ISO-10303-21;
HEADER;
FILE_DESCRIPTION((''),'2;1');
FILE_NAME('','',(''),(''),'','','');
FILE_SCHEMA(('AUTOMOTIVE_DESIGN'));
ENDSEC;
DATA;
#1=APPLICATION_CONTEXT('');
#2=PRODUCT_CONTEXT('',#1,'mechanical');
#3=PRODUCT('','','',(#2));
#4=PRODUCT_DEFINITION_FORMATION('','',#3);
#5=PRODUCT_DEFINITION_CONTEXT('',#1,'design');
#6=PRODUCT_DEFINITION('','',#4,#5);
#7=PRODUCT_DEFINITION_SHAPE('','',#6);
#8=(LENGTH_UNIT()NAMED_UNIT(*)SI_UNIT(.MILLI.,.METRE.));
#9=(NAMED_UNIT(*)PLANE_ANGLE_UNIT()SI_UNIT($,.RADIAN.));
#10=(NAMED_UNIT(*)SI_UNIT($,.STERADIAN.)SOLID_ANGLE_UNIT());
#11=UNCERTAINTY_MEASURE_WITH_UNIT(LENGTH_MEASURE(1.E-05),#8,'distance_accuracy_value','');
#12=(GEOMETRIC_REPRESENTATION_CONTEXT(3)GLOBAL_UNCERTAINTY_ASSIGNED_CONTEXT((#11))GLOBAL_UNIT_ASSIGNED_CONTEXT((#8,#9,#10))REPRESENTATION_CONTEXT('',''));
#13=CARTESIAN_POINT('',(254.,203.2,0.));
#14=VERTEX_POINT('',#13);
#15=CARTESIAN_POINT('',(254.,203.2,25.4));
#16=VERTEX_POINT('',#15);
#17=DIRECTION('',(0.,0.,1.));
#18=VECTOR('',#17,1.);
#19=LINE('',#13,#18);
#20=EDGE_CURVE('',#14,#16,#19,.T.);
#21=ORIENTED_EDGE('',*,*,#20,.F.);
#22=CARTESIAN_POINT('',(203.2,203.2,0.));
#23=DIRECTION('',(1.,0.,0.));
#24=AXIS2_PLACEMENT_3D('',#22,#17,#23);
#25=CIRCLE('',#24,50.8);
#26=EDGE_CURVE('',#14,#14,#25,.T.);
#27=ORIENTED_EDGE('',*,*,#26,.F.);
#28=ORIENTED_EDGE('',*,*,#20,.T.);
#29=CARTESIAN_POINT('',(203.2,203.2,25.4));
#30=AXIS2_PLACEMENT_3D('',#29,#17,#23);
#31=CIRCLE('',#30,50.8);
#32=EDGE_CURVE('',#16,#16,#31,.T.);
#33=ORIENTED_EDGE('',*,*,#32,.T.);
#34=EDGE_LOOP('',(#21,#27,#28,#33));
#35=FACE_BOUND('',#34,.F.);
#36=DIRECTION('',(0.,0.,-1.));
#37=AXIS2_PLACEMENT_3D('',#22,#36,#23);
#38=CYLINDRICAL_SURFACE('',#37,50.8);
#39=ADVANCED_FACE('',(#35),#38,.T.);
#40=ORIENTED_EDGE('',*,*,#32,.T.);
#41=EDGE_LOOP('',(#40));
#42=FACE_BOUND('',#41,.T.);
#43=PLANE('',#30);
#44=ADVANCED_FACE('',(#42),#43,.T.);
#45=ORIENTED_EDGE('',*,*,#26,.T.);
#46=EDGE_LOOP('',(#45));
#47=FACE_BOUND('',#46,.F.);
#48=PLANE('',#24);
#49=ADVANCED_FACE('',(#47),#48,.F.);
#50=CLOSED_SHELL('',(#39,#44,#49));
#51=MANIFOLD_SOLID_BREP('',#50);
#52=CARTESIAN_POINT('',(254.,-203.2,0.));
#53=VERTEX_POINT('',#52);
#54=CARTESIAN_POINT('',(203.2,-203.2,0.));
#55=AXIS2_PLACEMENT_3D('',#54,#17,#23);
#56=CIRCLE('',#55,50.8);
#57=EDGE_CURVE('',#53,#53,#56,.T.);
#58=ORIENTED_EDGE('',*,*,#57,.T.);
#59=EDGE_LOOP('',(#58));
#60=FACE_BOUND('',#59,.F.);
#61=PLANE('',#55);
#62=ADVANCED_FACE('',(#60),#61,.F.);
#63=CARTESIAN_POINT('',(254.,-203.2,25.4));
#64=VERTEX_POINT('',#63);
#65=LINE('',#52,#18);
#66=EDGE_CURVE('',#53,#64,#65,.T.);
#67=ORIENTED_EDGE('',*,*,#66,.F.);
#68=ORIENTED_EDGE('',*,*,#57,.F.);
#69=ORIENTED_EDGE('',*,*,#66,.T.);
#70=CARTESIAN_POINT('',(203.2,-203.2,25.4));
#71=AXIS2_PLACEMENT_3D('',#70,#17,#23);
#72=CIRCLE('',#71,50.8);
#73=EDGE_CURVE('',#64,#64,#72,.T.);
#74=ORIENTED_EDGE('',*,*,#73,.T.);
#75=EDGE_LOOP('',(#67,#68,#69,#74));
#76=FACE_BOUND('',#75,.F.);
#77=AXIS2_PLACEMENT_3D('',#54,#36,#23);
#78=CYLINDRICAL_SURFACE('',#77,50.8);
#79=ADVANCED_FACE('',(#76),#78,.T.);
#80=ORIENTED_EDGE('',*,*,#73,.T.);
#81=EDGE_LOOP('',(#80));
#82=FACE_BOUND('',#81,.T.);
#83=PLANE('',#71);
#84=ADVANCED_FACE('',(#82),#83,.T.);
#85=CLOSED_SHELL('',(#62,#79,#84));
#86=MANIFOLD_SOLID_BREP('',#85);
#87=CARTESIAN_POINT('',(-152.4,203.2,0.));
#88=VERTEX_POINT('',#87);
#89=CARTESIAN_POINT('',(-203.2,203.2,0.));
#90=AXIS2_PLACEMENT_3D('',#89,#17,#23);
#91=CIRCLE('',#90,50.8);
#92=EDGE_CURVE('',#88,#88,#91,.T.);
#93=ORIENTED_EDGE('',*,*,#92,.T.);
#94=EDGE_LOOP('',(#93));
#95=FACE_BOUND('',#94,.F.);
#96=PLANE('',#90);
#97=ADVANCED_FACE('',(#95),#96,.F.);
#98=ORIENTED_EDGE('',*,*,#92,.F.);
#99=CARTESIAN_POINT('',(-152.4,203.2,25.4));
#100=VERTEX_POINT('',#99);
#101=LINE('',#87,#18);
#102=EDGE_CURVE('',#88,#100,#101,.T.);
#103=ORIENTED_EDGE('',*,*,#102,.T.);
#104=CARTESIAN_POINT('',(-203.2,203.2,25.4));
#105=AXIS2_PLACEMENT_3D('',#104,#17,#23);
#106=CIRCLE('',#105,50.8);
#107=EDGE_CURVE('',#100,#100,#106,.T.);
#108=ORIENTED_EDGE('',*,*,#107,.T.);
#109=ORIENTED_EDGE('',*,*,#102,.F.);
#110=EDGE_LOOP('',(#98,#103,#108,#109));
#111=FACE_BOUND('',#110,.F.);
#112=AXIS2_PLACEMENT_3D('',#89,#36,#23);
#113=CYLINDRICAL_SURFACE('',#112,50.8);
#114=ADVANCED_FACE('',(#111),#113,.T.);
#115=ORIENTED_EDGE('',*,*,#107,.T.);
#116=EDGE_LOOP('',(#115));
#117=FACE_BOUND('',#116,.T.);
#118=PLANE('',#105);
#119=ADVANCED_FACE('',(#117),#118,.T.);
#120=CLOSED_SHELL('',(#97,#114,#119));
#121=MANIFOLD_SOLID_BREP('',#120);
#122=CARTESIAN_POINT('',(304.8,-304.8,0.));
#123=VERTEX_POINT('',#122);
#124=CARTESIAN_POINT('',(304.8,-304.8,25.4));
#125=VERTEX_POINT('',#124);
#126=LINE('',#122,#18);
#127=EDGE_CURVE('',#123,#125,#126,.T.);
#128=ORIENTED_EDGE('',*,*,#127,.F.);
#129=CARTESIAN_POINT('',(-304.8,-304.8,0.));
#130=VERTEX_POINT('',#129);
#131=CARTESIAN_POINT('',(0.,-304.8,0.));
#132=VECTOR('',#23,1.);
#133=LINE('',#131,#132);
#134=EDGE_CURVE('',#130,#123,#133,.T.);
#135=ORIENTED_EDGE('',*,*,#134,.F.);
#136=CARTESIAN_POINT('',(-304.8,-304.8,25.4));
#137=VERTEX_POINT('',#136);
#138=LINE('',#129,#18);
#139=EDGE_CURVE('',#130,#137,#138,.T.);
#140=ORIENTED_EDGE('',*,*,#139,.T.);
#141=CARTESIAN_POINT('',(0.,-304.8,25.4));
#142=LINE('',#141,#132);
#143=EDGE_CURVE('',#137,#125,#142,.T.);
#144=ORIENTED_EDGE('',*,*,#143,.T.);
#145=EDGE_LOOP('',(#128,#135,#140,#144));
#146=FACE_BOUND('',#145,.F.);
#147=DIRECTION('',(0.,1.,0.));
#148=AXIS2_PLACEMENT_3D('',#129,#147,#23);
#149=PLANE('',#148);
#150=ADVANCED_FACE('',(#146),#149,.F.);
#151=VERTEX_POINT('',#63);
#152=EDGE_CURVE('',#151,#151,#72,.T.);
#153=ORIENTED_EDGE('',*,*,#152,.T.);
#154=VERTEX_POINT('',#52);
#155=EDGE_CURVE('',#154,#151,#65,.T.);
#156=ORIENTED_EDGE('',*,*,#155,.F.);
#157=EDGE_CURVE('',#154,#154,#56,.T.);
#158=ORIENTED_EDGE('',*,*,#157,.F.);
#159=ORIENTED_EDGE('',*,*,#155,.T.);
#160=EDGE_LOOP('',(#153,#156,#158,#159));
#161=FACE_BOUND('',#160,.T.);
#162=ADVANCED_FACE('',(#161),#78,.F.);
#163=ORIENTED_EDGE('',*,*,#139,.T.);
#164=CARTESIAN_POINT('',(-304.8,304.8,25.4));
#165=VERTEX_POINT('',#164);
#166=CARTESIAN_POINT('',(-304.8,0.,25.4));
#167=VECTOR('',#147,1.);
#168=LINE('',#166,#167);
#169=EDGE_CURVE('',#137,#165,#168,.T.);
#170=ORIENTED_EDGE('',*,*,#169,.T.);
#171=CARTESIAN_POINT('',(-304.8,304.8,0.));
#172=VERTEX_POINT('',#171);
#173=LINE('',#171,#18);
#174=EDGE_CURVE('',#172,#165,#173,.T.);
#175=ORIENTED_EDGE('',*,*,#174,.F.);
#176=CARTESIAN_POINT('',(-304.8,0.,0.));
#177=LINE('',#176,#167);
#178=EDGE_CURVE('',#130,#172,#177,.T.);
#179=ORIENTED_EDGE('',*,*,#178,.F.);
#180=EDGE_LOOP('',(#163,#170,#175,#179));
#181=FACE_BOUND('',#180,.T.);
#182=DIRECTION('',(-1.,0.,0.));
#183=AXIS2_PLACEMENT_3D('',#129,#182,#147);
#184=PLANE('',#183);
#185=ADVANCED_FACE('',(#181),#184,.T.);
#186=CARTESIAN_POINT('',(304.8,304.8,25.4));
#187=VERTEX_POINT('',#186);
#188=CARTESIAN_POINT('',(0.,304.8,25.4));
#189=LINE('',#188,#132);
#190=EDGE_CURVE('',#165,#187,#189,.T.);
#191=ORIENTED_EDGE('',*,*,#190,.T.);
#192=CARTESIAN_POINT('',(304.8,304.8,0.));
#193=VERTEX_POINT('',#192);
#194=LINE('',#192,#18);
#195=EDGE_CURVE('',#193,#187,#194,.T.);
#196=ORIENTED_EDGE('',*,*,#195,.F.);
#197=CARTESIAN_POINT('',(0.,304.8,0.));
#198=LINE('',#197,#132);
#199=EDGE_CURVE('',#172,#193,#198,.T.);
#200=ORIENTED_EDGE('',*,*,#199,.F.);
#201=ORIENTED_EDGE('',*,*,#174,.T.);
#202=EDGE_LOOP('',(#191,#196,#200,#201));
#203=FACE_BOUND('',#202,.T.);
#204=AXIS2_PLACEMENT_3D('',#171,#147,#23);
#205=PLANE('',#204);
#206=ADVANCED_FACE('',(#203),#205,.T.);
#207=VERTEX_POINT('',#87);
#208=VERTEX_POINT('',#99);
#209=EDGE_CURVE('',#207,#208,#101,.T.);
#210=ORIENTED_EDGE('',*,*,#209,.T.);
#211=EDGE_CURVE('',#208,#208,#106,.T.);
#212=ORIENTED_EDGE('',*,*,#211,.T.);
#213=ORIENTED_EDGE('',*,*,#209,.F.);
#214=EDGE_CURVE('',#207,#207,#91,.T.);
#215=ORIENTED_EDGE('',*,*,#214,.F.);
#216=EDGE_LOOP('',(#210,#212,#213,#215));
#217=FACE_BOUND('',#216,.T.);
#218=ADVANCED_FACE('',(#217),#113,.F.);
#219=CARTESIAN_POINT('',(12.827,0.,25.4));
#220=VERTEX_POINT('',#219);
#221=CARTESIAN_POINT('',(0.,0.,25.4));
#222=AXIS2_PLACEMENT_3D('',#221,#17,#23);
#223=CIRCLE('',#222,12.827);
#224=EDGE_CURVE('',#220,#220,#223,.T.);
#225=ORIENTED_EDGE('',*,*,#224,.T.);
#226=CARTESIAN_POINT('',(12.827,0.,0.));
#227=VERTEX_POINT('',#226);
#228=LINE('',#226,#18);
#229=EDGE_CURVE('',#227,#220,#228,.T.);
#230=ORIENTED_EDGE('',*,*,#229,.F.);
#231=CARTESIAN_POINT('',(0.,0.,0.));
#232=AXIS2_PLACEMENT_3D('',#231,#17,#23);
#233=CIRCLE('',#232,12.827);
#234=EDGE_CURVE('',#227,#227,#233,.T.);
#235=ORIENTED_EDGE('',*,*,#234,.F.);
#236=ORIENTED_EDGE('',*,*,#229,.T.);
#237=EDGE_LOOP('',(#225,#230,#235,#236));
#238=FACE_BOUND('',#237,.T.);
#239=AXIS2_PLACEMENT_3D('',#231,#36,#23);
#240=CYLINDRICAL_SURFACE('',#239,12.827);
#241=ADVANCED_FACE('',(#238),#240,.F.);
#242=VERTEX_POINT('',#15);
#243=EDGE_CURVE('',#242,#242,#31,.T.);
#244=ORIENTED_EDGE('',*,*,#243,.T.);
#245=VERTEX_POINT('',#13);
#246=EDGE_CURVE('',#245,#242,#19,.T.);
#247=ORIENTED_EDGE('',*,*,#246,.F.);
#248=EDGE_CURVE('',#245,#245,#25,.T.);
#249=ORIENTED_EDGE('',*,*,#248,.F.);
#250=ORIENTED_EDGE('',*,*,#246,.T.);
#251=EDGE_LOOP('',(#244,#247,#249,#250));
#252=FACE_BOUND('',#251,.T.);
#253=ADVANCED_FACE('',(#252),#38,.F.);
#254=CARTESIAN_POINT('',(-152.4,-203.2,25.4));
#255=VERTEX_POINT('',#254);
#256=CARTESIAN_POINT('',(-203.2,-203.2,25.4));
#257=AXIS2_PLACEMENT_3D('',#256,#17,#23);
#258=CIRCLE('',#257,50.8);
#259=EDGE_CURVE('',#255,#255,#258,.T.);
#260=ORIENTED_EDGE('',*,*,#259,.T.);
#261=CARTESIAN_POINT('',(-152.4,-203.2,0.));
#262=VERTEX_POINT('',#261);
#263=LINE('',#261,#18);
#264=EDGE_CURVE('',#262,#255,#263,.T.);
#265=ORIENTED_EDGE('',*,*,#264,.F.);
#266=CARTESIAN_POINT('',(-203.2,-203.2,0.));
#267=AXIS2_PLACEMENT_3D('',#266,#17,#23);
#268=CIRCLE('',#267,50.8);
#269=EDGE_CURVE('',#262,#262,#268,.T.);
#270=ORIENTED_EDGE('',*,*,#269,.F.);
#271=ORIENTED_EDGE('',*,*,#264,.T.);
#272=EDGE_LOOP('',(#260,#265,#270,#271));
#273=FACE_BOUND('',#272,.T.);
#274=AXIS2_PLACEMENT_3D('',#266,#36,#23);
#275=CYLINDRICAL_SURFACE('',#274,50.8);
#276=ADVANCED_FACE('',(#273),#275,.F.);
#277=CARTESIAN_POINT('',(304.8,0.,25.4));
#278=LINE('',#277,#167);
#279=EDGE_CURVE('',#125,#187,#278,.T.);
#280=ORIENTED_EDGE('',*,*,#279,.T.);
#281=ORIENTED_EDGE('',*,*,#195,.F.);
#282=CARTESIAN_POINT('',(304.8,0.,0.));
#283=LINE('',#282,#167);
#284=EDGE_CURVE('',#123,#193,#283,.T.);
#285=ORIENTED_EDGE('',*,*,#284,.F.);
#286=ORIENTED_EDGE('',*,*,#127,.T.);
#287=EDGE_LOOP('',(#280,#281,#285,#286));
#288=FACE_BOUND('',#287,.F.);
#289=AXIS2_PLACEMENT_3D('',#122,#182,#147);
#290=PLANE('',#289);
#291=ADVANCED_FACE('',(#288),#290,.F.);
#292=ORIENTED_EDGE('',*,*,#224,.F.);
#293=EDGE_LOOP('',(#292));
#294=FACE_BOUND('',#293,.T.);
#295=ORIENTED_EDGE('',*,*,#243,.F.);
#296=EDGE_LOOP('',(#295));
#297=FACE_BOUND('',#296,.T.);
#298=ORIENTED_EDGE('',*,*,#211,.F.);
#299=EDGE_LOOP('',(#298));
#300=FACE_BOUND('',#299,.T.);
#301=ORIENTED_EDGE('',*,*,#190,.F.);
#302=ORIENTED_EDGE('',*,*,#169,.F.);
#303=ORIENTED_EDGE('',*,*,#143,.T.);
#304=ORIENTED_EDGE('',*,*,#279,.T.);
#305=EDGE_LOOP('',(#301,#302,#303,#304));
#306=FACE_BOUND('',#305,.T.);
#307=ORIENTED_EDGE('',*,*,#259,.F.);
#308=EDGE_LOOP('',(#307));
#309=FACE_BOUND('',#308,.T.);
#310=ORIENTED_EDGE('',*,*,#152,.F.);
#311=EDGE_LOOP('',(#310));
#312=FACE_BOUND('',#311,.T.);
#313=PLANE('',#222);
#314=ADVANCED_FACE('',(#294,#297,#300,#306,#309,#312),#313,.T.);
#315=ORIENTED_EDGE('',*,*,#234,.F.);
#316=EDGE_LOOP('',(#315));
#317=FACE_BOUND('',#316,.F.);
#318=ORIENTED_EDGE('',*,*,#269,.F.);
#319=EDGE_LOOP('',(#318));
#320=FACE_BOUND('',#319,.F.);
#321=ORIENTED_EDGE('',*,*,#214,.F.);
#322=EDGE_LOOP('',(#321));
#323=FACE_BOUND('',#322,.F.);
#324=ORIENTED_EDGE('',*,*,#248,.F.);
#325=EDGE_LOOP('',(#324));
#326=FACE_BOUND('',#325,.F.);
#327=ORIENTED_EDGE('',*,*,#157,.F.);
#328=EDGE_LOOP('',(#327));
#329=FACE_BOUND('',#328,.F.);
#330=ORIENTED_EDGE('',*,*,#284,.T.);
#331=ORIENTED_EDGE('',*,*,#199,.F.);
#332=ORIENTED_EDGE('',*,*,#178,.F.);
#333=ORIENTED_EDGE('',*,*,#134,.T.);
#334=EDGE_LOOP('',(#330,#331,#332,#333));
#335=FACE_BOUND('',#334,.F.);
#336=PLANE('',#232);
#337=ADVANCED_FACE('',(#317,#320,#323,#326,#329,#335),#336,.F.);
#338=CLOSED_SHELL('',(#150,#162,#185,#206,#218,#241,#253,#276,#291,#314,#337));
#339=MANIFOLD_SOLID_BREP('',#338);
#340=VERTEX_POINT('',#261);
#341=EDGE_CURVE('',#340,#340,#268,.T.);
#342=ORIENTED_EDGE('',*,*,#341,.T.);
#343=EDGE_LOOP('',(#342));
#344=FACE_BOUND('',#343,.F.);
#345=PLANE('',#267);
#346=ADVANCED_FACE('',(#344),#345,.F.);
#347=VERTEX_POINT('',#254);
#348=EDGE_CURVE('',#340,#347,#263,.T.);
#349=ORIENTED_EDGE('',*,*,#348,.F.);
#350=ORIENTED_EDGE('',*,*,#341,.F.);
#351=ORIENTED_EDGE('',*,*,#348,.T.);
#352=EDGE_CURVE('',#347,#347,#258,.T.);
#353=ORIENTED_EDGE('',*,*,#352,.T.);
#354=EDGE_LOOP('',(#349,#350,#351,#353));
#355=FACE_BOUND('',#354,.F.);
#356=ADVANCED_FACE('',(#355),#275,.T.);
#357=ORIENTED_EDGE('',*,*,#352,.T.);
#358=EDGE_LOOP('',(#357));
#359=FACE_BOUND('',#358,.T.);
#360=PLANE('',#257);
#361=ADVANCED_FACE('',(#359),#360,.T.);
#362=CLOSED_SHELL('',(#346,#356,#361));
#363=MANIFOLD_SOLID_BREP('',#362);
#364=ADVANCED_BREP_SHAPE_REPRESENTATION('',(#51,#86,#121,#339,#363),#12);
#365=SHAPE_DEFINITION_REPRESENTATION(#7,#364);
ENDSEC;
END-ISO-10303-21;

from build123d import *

# Parameters (mm, degrees)
F0_W     = 609.6
F0_H     = 609.6
F0_R     = 50.8
F0_R_2   = 12.827
F1_DEPTH = 25.4
F2_DEPTH = 25.4


with BuildPart() as f1:
    # F0 (on Top) → F1 (new body)
    with BuildSketch(Plane.XY):
        Rectangle(F0_W, F0_H)
        with Locations((-203.2, -203.2)):
            Circle(F0_R, mode=Mode.SUBTRACT)
        with Locations((203.2, -203.2)):
            Circle(F0_R, mode=Mode.SUBTRACT)
        with Locations((-203.2, 203.2)):
            Circle(F0_R, mode=Mode.SUBTRACT)
        Circle(F0_R_2, mode=Mode.SUBTRACT)
        with Locations((203.2, 203.2)):
            Circle(F0_R, mode=Mode.SUBTRACT)
    extrude(amount=F1_DEPTH)


with BuildPart() as f2:
    # F0 (on Top) → F2 (new body)
    with BuildSketch(Plane.XY):
        with Locations((-203.2, -203.2)):
            Circle(F0_R)
        with Locations((203.2, -203.2)):
            Circle(F0_R)
        with Locations((203.2, 203.2)):
            Circle(F0_R)
        with Locations((-203.2, 203.2)):
            Circle(F0_R)
    extrude(amount=F2_DEPTH)


solid = Compound([f1.part, f2.part])
